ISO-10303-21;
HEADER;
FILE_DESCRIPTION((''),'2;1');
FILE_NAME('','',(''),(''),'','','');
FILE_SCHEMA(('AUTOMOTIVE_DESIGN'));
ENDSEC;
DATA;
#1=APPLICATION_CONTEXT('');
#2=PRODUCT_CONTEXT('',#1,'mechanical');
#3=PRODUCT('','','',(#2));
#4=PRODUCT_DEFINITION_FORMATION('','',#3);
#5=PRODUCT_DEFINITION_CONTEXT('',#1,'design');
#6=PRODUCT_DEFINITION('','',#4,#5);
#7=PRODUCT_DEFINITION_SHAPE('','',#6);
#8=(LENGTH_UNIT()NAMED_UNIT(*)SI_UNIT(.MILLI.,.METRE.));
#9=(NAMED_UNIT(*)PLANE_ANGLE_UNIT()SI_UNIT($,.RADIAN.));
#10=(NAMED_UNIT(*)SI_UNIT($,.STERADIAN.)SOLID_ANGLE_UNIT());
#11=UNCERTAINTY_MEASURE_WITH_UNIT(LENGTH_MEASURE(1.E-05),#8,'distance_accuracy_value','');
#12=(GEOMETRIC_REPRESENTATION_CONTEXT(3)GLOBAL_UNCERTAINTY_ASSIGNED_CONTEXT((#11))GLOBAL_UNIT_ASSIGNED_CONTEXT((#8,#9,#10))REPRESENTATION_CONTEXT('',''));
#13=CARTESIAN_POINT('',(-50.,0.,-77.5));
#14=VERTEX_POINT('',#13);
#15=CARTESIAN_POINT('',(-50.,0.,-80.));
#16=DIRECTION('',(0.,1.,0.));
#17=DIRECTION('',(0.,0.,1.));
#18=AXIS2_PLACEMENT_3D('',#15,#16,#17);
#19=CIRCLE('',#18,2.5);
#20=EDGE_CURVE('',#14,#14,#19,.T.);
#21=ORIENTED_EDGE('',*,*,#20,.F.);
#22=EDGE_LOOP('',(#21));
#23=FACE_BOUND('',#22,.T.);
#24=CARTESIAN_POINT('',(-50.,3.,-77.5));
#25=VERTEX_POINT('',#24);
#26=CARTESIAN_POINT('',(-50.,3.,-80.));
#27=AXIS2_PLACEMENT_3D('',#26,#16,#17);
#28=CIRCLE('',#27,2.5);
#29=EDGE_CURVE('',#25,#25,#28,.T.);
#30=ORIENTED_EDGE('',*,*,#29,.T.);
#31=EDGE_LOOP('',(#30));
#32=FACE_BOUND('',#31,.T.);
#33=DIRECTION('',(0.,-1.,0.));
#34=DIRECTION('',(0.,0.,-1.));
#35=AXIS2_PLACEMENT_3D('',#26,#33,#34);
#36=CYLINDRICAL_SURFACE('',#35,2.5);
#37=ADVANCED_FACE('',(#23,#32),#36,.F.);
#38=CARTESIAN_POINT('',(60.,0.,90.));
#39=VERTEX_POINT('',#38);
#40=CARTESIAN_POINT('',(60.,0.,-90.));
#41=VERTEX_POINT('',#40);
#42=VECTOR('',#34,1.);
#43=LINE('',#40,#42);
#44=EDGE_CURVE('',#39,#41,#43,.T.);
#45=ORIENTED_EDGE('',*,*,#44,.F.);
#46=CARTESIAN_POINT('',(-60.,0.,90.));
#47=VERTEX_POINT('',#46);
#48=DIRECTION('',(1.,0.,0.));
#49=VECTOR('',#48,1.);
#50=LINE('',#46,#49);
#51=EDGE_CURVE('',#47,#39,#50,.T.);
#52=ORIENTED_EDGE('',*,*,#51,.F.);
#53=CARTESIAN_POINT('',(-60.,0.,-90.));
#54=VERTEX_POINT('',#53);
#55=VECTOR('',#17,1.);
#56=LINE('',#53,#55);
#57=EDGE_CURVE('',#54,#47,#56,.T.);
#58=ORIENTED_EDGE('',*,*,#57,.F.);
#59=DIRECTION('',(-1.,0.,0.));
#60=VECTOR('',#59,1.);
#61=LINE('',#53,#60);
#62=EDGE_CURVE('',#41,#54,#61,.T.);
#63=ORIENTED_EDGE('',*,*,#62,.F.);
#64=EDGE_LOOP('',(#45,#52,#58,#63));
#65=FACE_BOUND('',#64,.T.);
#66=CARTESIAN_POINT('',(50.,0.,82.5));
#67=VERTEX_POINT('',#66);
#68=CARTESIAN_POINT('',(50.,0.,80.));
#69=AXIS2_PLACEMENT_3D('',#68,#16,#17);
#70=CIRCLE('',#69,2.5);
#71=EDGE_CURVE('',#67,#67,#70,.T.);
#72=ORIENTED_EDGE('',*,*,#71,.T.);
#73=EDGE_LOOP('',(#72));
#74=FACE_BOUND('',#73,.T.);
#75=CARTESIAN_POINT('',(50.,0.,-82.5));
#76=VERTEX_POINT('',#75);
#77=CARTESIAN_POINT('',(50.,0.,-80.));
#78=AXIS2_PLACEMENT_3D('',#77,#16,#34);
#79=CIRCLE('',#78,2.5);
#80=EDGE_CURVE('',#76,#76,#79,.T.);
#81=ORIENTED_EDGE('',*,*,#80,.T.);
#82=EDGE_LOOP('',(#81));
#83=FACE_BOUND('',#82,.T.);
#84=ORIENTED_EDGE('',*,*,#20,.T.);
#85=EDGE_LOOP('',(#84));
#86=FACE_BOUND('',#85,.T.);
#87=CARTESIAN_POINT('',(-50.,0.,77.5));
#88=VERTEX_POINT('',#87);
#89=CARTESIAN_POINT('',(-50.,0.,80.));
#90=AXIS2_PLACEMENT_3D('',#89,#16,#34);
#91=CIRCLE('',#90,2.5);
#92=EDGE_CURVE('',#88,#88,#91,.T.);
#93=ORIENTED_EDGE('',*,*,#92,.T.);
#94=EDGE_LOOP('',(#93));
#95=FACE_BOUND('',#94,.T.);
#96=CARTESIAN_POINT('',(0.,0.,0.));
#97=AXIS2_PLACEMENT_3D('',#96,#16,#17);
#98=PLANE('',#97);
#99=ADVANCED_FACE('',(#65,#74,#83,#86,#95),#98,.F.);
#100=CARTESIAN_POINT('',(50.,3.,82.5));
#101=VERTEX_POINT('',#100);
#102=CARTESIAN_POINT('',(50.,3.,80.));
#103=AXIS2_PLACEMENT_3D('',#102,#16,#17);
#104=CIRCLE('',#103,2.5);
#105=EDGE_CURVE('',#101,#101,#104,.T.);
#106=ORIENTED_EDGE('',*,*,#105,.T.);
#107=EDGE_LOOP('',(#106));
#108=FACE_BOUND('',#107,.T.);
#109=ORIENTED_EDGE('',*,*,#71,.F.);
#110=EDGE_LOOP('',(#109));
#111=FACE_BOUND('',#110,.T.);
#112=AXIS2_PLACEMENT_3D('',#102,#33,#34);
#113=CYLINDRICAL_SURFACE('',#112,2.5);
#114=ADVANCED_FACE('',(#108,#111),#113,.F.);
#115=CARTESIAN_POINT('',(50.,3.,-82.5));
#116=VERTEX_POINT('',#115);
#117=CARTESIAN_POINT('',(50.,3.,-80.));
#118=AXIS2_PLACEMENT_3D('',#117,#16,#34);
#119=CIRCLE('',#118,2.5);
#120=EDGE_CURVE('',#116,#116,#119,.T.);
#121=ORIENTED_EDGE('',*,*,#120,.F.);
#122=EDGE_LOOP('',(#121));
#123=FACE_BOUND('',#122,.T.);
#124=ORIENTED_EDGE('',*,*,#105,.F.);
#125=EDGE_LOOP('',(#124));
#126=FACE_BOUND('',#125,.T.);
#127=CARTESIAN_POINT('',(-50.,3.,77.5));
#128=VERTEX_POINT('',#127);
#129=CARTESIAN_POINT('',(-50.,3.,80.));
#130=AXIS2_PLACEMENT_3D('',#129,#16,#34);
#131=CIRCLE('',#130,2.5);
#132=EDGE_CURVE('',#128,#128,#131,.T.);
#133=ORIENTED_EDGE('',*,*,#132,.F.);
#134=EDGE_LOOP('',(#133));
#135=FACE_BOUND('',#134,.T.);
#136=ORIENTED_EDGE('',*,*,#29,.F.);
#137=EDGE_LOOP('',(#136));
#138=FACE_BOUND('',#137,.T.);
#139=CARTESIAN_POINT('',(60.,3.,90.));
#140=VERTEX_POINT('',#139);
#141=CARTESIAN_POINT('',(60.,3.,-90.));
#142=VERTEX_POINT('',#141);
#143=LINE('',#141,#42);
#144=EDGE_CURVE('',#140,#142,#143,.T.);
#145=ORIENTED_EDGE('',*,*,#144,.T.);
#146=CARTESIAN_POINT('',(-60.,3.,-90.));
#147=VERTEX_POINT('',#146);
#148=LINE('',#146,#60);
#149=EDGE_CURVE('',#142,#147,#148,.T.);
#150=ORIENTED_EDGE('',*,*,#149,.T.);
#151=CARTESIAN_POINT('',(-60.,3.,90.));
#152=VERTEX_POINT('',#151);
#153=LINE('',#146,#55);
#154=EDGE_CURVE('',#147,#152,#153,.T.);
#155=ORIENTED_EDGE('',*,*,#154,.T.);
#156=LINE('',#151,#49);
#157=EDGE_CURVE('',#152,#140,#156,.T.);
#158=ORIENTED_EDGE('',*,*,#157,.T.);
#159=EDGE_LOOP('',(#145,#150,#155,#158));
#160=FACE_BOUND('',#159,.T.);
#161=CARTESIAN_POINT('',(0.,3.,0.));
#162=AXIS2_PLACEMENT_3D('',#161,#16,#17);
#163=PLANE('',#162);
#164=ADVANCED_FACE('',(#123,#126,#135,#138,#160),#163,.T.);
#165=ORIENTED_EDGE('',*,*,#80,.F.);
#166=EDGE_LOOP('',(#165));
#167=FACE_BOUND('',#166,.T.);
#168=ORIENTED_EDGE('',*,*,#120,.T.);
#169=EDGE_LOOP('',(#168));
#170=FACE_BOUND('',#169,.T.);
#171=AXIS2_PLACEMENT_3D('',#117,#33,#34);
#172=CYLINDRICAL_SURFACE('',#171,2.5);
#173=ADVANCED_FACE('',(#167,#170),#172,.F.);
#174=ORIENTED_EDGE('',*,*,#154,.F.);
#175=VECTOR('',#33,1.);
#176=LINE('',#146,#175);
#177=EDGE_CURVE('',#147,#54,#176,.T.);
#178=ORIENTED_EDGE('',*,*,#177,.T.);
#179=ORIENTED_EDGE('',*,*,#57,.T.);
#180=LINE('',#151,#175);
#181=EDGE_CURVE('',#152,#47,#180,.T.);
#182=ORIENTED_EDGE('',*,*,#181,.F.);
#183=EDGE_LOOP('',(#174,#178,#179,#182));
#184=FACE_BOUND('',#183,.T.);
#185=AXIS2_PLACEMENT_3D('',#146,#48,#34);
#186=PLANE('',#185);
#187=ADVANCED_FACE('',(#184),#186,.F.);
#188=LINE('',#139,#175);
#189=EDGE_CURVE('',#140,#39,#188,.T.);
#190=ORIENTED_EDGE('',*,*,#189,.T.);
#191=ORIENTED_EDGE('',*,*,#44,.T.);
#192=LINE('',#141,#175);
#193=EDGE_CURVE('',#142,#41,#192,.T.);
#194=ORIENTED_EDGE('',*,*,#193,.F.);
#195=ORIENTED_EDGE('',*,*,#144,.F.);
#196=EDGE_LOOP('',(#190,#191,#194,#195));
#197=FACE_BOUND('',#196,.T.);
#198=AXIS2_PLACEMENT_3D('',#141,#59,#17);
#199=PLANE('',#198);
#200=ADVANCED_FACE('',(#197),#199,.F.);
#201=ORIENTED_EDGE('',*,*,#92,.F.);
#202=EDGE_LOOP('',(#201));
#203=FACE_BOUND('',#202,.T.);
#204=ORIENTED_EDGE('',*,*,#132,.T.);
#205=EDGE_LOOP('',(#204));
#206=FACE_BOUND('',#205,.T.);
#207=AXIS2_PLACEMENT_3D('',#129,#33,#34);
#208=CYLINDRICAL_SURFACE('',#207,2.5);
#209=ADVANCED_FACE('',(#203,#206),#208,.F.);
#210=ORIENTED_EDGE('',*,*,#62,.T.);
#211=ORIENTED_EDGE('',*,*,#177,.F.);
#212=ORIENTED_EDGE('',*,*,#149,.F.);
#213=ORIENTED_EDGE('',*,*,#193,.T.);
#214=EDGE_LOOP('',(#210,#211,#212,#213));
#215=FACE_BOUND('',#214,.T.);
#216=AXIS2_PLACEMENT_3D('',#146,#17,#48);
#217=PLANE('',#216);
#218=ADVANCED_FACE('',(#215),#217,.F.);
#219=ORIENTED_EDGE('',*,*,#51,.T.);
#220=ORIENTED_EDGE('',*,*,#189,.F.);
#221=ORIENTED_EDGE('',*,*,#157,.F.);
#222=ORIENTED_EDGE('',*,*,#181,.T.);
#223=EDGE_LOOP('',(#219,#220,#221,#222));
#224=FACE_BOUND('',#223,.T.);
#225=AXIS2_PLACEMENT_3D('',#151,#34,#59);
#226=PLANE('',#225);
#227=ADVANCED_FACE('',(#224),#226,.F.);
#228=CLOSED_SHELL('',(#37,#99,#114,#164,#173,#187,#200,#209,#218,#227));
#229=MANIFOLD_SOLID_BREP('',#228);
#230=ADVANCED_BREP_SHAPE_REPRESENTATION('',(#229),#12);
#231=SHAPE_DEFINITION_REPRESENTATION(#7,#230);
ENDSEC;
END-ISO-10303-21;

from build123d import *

# Parameters (mm, degrees)
SKETCH1_W           = 120
SKETCH1_H           = 180
SKETCH1_R           = 2.5
BOSS_EXTRUDE1_DEPTH = 3


with BuildPart() as part:
    # Sketch1 → Boss-Extrude1 (new body)
    with BuildSketch(Plane(origin=(0, 0, 0), x_dir=(1, 0, 0), z_dir=(0, 1, 0))):
        Rectangle(SKETCH1_W, SKETCH1_H)
        with Locations((-50, 80)):
            Circle(SKETCH1_R, mode=Mode.SUBTRACT)
        with Locations((50, 80)):
            Circle(SKETCH1_R, mode=Mode.SUBTRACT)
        with Locations((50, -80)):
            Circle(SKETCH1_R, mode=Mode.SUBTRACT)
        with Locations((-50, -80)):
            Circle(SKETCH1_R, mode=Mode.SUBTRACT)
    extrude(amount=BOSS_EXTRUDE1_DEPTH)


solid = part.part
